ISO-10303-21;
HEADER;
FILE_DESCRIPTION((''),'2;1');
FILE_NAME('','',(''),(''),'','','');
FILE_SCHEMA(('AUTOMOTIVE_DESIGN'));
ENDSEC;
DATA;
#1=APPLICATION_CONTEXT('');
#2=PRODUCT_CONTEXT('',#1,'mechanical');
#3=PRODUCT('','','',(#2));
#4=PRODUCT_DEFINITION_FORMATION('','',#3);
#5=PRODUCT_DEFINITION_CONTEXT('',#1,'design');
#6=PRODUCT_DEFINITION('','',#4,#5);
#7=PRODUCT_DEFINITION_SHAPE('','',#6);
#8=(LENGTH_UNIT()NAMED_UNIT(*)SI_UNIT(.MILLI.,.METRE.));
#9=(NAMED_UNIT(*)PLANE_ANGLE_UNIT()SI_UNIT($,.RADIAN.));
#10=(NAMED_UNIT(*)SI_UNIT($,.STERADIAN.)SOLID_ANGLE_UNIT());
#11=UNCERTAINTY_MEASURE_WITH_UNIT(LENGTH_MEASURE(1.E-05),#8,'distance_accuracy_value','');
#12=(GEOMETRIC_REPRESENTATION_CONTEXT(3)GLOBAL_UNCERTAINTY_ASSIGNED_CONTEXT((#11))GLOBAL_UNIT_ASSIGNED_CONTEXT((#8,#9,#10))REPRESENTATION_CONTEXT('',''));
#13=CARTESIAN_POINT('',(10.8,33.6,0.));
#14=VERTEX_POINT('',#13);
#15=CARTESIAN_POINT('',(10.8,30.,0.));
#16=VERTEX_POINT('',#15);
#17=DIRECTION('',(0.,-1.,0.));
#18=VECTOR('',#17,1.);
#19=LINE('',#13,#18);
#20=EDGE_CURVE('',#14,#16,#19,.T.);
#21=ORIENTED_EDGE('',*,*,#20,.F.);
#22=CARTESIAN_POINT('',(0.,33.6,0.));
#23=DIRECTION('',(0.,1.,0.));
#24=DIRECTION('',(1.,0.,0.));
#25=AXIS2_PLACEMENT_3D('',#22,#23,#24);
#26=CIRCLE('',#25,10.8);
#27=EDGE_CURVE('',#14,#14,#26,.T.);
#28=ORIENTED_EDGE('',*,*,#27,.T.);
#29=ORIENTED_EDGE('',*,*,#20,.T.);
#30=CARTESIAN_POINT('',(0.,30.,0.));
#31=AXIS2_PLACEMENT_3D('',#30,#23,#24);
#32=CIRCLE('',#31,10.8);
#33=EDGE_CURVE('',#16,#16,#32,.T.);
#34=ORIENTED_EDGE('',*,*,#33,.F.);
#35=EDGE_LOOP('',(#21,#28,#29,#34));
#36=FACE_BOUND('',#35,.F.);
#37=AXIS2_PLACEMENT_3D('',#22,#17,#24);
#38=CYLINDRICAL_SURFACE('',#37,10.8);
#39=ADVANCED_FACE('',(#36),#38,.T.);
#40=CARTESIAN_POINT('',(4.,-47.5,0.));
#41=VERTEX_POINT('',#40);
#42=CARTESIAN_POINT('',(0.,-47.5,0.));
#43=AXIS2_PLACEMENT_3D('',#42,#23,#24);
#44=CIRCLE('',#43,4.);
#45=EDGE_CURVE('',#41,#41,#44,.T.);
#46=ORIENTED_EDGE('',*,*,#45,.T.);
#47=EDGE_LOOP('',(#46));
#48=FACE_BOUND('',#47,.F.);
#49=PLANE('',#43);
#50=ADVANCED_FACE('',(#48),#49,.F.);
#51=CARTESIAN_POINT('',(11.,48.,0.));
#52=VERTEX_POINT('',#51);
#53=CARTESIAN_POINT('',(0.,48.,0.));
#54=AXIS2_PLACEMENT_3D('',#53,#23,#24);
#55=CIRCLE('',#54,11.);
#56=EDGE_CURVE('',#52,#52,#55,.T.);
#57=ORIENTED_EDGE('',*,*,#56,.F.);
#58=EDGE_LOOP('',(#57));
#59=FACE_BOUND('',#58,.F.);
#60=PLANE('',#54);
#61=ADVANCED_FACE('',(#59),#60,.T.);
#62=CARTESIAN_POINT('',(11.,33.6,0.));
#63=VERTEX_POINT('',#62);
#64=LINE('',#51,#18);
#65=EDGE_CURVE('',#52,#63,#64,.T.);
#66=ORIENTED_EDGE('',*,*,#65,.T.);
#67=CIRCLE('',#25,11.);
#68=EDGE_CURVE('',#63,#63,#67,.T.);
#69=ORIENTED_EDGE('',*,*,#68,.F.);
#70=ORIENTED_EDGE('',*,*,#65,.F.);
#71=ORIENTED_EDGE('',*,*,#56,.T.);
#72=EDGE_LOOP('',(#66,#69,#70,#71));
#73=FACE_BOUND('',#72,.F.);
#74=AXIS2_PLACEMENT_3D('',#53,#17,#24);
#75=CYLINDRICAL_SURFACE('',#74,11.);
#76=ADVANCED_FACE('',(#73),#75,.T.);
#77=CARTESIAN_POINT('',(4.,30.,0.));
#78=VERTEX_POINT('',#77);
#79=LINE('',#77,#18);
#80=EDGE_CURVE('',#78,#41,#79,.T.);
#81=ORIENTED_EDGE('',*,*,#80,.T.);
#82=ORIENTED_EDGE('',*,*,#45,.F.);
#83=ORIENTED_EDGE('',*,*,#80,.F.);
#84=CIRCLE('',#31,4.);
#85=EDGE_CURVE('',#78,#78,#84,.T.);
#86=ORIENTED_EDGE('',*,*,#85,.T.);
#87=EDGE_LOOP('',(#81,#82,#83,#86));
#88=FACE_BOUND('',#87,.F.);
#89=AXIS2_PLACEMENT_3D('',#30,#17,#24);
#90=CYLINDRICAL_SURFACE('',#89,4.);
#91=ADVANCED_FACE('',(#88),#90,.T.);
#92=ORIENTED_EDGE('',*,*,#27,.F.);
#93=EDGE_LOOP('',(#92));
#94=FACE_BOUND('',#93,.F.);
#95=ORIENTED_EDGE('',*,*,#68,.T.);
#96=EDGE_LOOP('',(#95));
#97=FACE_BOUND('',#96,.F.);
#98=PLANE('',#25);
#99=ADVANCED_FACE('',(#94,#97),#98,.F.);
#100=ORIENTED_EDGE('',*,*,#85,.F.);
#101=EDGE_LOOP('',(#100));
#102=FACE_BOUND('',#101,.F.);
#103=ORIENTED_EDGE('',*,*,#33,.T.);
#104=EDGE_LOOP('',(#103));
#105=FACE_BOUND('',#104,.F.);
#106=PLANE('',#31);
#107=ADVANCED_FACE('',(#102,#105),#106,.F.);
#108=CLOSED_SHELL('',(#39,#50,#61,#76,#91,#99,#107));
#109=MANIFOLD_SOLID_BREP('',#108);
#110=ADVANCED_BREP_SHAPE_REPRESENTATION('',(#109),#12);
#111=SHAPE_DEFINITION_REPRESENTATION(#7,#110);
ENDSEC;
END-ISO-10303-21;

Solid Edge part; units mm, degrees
sketch "Sketch1" plane through (0, 0, 0) normal (0, 0, 1) x (1, 0, 0)
  line L0 (0, 30) -> (4, 30)
  line L1 (4, 30) -> (4, -47.5)
  line L2 (4, -47.5) -> (0, -47.5)
  line L3 (0, -47.5) -> (0, 30)
revolve "RevolvedProtrusion1" add sketch "Sketch1" angle 360 about axis through (0, -47.5, 0) along (0, 1, 0)
sketch "Sketch2" plane through (0, 0, 0) normal (0, 0, 1) x (1, 0, 0)
  line L0 (0, 48) -> (11, 48)
  line L1 (11, 48) -> (11, 33.6)
  line L2 (11, 33.6) -> (10.8, 33.6)
  line L3 (10.8, 33.6) -> (10.8, 30)
  line L4 (10.8, 30) -> (0, 30)
  line L5 (0, 30) -> (0, 48)
revolve "RevolvedProtrusion2" add sketch "Sketch2" angle 360 about axis through (0, 30, 0) along (0, 1, 0)
